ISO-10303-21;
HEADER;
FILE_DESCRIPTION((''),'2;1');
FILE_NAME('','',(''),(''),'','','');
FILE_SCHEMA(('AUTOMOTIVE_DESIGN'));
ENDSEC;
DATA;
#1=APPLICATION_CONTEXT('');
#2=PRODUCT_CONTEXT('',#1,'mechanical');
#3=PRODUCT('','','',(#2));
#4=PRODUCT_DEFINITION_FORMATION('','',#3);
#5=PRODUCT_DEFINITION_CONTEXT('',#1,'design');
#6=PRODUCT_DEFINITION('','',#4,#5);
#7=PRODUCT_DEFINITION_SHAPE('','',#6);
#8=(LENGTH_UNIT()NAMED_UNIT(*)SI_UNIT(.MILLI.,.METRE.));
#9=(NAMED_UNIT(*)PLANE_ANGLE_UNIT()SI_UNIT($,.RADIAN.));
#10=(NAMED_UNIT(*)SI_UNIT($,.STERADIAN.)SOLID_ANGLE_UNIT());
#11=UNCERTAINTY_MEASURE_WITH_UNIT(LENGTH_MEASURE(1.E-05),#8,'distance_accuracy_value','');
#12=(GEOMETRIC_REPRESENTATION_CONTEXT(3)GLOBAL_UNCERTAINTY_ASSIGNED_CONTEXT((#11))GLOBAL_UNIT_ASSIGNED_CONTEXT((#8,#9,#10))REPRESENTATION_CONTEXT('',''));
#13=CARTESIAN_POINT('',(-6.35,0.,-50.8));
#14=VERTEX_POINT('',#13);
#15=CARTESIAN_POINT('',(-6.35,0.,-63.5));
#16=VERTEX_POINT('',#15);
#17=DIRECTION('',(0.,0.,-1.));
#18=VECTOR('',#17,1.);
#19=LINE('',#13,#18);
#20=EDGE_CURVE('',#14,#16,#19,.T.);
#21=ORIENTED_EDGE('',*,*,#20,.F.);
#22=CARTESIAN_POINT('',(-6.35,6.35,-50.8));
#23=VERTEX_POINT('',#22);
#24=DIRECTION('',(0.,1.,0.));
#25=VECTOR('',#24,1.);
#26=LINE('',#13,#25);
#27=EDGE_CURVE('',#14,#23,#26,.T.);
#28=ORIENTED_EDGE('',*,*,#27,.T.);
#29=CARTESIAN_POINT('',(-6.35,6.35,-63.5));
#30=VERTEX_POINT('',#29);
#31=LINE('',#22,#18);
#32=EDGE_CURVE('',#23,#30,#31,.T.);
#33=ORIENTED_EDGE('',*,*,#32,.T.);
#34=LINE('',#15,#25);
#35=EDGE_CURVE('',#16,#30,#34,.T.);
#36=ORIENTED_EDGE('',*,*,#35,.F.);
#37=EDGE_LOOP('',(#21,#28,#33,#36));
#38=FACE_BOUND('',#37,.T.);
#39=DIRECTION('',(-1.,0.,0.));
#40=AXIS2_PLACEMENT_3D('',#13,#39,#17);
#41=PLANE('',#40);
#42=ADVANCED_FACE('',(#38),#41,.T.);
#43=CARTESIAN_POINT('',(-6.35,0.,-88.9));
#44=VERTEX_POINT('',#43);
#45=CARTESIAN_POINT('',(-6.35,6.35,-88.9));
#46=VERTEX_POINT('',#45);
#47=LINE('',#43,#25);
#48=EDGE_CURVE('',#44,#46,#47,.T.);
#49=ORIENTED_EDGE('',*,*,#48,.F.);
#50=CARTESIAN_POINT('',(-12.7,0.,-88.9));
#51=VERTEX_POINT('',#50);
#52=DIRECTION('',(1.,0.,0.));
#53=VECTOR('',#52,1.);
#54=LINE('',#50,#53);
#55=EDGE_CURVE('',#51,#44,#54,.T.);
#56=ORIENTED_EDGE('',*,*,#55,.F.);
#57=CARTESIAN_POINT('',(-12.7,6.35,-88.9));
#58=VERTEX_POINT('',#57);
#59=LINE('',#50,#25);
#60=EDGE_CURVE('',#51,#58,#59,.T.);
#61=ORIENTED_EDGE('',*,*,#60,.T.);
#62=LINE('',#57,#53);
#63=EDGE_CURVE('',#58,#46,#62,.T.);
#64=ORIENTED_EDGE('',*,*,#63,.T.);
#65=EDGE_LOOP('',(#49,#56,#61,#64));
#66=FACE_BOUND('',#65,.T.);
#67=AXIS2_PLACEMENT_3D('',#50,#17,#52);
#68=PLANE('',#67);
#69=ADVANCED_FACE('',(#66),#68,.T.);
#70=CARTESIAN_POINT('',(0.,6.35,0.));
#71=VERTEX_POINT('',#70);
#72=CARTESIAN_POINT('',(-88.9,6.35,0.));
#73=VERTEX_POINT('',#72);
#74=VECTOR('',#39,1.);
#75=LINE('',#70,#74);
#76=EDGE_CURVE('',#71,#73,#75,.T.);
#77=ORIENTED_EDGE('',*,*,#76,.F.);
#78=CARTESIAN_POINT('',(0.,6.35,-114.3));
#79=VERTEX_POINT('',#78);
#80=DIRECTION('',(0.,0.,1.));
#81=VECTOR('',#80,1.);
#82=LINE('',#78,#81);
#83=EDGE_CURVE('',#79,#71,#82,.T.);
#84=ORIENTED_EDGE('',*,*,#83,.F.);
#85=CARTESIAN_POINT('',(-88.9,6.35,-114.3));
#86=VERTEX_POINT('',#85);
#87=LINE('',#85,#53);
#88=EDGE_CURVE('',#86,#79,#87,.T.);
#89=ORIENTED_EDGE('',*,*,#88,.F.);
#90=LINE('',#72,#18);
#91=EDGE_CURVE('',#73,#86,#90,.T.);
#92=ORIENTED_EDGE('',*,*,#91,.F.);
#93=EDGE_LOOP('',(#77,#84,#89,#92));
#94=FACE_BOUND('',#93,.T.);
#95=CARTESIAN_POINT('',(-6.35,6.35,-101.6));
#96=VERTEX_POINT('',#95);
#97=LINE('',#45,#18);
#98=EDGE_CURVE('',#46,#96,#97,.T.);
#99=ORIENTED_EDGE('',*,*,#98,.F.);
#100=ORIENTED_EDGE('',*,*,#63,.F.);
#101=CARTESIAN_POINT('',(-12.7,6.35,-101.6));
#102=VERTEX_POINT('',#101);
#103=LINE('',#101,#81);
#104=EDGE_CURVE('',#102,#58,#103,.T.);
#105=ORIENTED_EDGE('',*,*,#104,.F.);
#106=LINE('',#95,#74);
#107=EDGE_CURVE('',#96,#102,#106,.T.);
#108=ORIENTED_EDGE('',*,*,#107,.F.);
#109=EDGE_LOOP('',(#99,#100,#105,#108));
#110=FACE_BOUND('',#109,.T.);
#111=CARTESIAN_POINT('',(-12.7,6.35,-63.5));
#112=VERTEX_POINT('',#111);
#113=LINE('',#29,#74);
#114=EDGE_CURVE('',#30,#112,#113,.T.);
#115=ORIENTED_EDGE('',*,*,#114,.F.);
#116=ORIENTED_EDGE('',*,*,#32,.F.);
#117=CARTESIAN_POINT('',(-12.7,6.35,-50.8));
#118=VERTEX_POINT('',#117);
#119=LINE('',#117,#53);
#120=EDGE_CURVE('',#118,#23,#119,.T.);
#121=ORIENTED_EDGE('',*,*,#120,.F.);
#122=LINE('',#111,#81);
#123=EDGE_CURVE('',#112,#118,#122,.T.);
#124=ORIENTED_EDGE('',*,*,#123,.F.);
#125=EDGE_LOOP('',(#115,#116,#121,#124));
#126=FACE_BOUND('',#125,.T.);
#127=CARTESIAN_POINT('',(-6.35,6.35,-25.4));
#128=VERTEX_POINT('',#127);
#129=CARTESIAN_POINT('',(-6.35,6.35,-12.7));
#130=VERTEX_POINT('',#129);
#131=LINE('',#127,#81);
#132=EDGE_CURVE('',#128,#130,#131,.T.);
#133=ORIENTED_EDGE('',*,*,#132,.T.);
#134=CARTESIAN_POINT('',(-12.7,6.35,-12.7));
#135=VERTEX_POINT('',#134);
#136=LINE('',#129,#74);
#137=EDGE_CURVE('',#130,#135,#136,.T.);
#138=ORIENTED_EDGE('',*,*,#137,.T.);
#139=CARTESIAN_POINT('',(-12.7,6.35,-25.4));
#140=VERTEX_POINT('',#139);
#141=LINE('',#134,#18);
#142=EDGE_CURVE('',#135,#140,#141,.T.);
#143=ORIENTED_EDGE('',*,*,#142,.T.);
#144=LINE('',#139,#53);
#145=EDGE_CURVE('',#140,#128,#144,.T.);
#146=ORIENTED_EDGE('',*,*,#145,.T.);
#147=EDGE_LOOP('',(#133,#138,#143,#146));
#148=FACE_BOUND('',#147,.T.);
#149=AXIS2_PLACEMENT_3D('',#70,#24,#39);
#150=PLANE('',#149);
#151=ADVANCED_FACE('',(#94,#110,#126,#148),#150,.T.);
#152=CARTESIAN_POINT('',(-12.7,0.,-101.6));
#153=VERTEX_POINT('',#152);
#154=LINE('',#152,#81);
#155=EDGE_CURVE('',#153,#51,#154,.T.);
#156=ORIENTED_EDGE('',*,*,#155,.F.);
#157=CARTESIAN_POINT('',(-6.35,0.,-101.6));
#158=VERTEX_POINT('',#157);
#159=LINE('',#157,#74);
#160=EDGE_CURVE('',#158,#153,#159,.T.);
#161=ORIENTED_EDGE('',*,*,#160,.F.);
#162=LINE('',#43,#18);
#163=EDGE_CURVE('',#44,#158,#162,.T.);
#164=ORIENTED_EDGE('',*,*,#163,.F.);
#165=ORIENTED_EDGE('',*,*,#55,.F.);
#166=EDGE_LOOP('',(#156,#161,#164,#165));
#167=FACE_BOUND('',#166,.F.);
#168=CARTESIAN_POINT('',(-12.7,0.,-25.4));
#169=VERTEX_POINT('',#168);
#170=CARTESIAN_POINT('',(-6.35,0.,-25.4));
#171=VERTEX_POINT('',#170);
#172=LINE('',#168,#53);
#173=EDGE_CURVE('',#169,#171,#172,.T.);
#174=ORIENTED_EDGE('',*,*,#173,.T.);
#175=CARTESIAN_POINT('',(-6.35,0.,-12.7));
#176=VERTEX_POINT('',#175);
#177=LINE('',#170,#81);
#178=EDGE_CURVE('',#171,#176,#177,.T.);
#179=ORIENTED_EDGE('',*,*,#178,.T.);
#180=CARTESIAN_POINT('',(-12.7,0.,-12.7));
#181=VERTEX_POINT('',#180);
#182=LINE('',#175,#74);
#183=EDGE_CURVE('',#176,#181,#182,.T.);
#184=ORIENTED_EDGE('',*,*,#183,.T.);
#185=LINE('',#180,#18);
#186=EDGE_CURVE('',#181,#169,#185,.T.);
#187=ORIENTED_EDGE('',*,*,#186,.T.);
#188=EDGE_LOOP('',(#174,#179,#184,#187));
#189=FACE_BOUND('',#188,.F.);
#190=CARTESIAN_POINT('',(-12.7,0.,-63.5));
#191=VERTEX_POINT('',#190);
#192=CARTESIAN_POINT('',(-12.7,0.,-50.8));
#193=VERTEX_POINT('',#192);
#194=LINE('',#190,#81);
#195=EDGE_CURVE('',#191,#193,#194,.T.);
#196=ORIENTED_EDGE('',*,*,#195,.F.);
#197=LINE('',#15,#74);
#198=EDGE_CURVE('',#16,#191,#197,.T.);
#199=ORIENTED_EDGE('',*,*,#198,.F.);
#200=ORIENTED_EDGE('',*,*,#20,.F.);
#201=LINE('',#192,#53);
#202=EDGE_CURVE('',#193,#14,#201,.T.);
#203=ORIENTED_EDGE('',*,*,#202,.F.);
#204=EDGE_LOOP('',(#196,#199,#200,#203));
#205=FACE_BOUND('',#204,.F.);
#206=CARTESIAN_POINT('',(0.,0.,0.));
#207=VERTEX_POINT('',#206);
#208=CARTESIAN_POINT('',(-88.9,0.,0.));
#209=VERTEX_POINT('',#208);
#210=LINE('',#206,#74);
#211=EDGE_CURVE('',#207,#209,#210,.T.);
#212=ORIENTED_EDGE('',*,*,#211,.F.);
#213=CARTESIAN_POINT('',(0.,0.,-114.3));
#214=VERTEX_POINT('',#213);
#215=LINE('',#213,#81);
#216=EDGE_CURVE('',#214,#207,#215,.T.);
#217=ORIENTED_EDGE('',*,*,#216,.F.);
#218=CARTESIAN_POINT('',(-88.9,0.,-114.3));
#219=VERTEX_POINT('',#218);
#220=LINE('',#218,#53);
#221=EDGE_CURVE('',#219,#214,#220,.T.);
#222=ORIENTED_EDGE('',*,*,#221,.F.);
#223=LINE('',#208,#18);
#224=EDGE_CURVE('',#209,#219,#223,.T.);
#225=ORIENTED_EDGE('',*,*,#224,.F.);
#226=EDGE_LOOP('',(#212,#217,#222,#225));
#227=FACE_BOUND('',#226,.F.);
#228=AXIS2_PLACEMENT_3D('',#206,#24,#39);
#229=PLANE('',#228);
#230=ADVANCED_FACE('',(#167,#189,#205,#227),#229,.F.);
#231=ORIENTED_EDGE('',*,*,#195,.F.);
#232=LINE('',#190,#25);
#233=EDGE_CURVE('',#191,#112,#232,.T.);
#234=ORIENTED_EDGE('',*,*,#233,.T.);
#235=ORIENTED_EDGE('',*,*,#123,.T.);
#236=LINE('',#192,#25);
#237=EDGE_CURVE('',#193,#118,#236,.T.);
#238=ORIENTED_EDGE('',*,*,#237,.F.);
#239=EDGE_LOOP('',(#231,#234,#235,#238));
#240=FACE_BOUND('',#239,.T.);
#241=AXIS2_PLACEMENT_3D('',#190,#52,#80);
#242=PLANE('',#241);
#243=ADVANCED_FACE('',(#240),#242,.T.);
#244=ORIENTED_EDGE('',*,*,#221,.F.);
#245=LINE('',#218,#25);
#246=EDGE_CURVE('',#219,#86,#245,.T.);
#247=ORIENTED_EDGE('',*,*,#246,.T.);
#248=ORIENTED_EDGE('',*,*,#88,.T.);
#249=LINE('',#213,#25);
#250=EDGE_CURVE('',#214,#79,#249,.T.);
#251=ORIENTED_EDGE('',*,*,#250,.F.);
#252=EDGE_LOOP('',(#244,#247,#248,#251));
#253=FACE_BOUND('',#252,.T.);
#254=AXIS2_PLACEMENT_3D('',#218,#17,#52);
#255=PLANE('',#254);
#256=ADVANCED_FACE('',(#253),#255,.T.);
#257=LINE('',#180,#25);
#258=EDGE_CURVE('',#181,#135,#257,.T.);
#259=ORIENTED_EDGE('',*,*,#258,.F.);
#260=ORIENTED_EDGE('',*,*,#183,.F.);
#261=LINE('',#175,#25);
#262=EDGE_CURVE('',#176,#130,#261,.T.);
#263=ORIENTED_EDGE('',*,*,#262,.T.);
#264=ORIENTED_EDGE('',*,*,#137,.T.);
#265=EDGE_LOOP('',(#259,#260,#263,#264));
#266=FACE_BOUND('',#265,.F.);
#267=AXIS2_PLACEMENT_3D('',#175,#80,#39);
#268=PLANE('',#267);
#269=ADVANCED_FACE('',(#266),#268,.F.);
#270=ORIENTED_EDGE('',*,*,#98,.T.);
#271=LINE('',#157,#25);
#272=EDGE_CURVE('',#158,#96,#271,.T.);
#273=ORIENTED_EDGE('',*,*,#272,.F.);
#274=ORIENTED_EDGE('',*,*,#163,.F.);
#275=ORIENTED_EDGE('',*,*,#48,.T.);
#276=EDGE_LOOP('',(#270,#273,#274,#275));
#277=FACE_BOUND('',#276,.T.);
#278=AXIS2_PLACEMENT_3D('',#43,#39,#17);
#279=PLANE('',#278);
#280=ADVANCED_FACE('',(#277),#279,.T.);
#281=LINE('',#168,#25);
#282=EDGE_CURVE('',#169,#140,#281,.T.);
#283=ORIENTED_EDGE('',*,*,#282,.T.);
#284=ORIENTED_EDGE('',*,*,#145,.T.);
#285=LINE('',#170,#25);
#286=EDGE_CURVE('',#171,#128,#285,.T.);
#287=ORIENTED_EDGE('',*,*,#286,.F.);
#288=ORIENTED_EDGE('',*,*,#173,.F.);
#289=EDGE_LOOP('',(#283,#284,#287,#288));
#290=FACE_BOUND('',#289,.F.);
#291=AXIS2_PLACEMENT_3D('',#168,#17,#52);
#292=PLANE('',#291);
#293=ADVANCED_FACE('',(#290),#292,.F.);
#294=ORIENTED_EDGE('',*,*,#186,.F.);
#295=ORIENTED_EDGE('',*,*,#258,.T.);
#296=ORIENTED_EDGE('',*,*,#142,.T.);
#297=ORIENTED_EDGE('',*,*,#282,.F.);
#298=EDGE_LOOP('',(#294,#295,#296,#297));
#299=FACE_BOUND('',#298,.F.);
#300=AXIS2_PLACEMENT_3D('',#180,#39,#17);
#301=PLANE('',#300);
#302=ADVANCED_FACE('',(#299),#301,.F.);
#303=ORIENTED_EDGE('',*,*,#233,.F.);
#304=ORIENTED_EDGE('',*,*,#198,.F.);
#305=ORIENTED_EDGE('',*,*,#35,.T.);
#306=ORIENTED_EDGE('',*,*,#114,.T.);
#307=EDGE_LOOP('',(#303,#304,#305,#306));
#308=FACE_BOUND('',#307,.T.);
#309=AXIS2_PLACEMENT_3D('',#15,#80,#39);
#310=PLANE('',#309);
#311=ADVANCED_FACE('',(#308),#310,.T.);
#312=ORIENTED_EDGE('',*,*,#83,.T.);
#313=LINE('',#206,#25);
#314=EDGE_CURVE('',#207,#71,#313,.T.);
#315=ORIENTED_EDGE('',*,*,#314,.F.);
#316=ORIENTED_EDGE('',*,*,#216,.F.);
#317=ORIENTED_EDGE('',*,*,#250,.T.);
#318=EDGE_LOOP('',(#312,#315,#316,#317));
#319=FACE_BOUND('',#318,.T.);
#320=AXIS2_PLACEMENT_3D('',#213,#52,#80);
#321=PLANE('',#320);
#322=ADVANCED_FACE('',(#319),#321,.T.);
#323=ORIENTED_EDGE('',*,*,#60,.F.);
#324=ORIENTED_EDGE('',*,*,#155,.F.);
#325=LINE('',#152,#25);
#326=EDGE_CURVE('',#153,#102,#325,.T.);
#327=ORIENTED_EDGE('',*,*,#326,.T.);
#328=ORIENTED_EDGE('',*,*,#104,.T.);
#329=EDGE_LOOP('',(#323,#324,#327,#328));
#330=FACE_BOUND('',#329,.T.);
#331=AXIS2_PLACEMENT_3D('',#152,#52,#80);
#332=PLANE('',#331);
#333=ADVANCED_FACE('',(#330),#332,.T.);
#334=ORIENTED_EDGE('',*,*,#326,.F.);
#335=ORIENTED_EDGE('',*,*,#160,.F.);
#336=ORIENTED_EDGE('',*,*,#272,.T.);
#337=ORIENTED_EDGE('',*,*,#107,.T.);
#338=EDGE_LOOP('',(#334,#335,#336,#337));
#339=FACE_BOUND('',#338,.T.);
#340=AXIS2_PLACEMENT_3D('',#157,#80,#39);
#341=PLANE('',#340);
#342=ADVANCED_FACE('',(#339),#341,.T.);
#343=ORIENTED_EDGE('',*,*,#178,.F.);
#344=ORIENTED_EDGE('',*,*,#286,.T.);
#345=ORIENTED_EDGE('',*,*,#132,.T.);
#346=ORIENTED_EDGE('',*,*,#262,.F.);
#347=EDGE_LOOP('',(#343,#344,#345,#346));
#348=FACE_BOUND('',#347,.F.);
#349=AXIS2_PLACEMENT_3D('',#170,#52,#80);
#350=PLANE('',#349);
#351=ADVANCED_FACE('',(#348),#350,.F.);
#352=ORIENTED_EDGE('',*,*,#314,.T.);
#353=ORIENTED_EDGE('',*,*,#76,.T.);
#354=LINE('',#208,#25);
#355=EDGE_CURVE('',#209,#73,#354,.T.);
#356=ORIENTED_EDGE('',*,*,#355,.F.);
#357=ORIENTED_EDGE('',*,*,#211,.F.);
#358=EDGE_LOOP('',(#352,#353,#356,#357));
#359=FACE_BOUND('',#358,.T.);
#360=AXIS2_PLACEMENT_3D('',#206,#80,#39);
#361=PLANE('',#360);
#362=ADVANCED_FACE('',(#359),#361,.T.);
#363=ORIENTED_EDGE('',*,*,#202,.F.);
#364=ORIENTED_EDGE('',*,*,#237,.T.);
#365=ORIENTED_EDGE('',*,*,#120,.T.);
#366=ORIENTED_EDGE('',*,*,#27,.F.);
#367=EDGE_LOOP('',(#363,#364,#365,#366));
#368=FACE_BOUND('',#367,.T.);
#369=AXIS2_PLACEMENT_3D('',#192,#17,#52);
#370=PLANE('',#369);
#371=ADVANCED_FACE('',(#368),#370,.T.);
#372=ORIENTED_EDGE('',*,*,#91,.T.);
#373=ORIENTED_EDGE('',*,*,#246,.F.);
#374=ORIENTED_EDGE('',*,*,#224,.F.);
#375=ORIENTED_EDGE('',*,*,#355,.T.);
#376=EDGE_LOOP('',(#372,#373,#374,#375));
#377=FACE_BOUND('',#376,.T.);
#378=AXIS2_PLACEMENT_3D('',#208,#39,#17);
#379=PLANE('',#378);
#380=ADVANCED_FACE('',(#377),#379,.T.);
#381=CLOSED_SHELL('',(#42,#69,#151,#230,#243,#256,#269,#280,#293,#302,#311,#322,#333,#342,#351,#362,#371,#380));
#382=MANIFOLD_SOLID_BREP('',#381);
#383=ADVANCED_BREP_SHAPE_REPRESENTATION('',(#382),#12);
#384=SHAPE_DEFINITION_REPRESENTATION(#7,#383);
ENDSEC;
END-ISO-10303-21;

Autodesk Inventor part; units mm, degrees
ref_plane "YZ Plane" through (0, 0, 0) normal (1, 0, 0) x (0, 1, 0)
ref_plane "XZ Plane" through (0, 0, 0) normal (0, 1, 0) x (-1, 0, 0)
ref_plane "XY Plane" through (0, 0, 0) normal (0, 0, 1) x (1, 0, 0)
sketch "Sketch1" plane through (0, 0, 0) normal (0, 1, 0) x (-1, 0, 0)
  line L0 (0, 0) -> (88.9, 0)
  line L1 (88.9, 0) -> (88.9, -114.3)
  line L2 (88.9, -114.3) -> (0, -114.3)
  line L3 (0, -114.3) -> (0, 0)
  line L4 (6.35, -12.7) -> (12.7, -12.7)
  line L5 (12.7, -12.7) -> (12.7, -25.4)
  line L6 (12.7, -25.4) -> (6.35, -25.4)
  line L7 (6.35, -25.4) -> (6.35, -12.7)
  line L8 (12.7, -88.9) -> (6.35, -88.9)
  line L9 (6.35, -88.9) -> (6.35, -101.6)
  line L10 (6.35, -101.6) -> (12.7, -101.6)
  line L11 (12.7, -101.6) -> (12.7, -88.9)
  line L12 (12.7, -50.8) -> (6.35, -50.8)
  line L13 (6.35, -50.8) -> (6.35, -63.5)
  line L14 (6.35, -63.5) -> (12.7, -63.5)
  line L15 (12.7, -63.5) -> (12.7, -50.8)
  dimension "d0" = 88.9
  dimension "d1" = 114.3
  dimension "d2" = 6.35
  dimension "d3" = 12.7
  dimension "d4" = 6.35
  dimension "d5" = 12.7
  dimension "d6" = 12.7
  dimension "d7" = 12.7
  dimension "d8" = 12.7
  dimension "d9" = 63.5
  dimension "d10" = 25.4
  dimension "d11" = 25.4
extrude "Extrusion1" add sketch "Sketch1" along normal blind 6.35
properties part number "LEDBottom"
